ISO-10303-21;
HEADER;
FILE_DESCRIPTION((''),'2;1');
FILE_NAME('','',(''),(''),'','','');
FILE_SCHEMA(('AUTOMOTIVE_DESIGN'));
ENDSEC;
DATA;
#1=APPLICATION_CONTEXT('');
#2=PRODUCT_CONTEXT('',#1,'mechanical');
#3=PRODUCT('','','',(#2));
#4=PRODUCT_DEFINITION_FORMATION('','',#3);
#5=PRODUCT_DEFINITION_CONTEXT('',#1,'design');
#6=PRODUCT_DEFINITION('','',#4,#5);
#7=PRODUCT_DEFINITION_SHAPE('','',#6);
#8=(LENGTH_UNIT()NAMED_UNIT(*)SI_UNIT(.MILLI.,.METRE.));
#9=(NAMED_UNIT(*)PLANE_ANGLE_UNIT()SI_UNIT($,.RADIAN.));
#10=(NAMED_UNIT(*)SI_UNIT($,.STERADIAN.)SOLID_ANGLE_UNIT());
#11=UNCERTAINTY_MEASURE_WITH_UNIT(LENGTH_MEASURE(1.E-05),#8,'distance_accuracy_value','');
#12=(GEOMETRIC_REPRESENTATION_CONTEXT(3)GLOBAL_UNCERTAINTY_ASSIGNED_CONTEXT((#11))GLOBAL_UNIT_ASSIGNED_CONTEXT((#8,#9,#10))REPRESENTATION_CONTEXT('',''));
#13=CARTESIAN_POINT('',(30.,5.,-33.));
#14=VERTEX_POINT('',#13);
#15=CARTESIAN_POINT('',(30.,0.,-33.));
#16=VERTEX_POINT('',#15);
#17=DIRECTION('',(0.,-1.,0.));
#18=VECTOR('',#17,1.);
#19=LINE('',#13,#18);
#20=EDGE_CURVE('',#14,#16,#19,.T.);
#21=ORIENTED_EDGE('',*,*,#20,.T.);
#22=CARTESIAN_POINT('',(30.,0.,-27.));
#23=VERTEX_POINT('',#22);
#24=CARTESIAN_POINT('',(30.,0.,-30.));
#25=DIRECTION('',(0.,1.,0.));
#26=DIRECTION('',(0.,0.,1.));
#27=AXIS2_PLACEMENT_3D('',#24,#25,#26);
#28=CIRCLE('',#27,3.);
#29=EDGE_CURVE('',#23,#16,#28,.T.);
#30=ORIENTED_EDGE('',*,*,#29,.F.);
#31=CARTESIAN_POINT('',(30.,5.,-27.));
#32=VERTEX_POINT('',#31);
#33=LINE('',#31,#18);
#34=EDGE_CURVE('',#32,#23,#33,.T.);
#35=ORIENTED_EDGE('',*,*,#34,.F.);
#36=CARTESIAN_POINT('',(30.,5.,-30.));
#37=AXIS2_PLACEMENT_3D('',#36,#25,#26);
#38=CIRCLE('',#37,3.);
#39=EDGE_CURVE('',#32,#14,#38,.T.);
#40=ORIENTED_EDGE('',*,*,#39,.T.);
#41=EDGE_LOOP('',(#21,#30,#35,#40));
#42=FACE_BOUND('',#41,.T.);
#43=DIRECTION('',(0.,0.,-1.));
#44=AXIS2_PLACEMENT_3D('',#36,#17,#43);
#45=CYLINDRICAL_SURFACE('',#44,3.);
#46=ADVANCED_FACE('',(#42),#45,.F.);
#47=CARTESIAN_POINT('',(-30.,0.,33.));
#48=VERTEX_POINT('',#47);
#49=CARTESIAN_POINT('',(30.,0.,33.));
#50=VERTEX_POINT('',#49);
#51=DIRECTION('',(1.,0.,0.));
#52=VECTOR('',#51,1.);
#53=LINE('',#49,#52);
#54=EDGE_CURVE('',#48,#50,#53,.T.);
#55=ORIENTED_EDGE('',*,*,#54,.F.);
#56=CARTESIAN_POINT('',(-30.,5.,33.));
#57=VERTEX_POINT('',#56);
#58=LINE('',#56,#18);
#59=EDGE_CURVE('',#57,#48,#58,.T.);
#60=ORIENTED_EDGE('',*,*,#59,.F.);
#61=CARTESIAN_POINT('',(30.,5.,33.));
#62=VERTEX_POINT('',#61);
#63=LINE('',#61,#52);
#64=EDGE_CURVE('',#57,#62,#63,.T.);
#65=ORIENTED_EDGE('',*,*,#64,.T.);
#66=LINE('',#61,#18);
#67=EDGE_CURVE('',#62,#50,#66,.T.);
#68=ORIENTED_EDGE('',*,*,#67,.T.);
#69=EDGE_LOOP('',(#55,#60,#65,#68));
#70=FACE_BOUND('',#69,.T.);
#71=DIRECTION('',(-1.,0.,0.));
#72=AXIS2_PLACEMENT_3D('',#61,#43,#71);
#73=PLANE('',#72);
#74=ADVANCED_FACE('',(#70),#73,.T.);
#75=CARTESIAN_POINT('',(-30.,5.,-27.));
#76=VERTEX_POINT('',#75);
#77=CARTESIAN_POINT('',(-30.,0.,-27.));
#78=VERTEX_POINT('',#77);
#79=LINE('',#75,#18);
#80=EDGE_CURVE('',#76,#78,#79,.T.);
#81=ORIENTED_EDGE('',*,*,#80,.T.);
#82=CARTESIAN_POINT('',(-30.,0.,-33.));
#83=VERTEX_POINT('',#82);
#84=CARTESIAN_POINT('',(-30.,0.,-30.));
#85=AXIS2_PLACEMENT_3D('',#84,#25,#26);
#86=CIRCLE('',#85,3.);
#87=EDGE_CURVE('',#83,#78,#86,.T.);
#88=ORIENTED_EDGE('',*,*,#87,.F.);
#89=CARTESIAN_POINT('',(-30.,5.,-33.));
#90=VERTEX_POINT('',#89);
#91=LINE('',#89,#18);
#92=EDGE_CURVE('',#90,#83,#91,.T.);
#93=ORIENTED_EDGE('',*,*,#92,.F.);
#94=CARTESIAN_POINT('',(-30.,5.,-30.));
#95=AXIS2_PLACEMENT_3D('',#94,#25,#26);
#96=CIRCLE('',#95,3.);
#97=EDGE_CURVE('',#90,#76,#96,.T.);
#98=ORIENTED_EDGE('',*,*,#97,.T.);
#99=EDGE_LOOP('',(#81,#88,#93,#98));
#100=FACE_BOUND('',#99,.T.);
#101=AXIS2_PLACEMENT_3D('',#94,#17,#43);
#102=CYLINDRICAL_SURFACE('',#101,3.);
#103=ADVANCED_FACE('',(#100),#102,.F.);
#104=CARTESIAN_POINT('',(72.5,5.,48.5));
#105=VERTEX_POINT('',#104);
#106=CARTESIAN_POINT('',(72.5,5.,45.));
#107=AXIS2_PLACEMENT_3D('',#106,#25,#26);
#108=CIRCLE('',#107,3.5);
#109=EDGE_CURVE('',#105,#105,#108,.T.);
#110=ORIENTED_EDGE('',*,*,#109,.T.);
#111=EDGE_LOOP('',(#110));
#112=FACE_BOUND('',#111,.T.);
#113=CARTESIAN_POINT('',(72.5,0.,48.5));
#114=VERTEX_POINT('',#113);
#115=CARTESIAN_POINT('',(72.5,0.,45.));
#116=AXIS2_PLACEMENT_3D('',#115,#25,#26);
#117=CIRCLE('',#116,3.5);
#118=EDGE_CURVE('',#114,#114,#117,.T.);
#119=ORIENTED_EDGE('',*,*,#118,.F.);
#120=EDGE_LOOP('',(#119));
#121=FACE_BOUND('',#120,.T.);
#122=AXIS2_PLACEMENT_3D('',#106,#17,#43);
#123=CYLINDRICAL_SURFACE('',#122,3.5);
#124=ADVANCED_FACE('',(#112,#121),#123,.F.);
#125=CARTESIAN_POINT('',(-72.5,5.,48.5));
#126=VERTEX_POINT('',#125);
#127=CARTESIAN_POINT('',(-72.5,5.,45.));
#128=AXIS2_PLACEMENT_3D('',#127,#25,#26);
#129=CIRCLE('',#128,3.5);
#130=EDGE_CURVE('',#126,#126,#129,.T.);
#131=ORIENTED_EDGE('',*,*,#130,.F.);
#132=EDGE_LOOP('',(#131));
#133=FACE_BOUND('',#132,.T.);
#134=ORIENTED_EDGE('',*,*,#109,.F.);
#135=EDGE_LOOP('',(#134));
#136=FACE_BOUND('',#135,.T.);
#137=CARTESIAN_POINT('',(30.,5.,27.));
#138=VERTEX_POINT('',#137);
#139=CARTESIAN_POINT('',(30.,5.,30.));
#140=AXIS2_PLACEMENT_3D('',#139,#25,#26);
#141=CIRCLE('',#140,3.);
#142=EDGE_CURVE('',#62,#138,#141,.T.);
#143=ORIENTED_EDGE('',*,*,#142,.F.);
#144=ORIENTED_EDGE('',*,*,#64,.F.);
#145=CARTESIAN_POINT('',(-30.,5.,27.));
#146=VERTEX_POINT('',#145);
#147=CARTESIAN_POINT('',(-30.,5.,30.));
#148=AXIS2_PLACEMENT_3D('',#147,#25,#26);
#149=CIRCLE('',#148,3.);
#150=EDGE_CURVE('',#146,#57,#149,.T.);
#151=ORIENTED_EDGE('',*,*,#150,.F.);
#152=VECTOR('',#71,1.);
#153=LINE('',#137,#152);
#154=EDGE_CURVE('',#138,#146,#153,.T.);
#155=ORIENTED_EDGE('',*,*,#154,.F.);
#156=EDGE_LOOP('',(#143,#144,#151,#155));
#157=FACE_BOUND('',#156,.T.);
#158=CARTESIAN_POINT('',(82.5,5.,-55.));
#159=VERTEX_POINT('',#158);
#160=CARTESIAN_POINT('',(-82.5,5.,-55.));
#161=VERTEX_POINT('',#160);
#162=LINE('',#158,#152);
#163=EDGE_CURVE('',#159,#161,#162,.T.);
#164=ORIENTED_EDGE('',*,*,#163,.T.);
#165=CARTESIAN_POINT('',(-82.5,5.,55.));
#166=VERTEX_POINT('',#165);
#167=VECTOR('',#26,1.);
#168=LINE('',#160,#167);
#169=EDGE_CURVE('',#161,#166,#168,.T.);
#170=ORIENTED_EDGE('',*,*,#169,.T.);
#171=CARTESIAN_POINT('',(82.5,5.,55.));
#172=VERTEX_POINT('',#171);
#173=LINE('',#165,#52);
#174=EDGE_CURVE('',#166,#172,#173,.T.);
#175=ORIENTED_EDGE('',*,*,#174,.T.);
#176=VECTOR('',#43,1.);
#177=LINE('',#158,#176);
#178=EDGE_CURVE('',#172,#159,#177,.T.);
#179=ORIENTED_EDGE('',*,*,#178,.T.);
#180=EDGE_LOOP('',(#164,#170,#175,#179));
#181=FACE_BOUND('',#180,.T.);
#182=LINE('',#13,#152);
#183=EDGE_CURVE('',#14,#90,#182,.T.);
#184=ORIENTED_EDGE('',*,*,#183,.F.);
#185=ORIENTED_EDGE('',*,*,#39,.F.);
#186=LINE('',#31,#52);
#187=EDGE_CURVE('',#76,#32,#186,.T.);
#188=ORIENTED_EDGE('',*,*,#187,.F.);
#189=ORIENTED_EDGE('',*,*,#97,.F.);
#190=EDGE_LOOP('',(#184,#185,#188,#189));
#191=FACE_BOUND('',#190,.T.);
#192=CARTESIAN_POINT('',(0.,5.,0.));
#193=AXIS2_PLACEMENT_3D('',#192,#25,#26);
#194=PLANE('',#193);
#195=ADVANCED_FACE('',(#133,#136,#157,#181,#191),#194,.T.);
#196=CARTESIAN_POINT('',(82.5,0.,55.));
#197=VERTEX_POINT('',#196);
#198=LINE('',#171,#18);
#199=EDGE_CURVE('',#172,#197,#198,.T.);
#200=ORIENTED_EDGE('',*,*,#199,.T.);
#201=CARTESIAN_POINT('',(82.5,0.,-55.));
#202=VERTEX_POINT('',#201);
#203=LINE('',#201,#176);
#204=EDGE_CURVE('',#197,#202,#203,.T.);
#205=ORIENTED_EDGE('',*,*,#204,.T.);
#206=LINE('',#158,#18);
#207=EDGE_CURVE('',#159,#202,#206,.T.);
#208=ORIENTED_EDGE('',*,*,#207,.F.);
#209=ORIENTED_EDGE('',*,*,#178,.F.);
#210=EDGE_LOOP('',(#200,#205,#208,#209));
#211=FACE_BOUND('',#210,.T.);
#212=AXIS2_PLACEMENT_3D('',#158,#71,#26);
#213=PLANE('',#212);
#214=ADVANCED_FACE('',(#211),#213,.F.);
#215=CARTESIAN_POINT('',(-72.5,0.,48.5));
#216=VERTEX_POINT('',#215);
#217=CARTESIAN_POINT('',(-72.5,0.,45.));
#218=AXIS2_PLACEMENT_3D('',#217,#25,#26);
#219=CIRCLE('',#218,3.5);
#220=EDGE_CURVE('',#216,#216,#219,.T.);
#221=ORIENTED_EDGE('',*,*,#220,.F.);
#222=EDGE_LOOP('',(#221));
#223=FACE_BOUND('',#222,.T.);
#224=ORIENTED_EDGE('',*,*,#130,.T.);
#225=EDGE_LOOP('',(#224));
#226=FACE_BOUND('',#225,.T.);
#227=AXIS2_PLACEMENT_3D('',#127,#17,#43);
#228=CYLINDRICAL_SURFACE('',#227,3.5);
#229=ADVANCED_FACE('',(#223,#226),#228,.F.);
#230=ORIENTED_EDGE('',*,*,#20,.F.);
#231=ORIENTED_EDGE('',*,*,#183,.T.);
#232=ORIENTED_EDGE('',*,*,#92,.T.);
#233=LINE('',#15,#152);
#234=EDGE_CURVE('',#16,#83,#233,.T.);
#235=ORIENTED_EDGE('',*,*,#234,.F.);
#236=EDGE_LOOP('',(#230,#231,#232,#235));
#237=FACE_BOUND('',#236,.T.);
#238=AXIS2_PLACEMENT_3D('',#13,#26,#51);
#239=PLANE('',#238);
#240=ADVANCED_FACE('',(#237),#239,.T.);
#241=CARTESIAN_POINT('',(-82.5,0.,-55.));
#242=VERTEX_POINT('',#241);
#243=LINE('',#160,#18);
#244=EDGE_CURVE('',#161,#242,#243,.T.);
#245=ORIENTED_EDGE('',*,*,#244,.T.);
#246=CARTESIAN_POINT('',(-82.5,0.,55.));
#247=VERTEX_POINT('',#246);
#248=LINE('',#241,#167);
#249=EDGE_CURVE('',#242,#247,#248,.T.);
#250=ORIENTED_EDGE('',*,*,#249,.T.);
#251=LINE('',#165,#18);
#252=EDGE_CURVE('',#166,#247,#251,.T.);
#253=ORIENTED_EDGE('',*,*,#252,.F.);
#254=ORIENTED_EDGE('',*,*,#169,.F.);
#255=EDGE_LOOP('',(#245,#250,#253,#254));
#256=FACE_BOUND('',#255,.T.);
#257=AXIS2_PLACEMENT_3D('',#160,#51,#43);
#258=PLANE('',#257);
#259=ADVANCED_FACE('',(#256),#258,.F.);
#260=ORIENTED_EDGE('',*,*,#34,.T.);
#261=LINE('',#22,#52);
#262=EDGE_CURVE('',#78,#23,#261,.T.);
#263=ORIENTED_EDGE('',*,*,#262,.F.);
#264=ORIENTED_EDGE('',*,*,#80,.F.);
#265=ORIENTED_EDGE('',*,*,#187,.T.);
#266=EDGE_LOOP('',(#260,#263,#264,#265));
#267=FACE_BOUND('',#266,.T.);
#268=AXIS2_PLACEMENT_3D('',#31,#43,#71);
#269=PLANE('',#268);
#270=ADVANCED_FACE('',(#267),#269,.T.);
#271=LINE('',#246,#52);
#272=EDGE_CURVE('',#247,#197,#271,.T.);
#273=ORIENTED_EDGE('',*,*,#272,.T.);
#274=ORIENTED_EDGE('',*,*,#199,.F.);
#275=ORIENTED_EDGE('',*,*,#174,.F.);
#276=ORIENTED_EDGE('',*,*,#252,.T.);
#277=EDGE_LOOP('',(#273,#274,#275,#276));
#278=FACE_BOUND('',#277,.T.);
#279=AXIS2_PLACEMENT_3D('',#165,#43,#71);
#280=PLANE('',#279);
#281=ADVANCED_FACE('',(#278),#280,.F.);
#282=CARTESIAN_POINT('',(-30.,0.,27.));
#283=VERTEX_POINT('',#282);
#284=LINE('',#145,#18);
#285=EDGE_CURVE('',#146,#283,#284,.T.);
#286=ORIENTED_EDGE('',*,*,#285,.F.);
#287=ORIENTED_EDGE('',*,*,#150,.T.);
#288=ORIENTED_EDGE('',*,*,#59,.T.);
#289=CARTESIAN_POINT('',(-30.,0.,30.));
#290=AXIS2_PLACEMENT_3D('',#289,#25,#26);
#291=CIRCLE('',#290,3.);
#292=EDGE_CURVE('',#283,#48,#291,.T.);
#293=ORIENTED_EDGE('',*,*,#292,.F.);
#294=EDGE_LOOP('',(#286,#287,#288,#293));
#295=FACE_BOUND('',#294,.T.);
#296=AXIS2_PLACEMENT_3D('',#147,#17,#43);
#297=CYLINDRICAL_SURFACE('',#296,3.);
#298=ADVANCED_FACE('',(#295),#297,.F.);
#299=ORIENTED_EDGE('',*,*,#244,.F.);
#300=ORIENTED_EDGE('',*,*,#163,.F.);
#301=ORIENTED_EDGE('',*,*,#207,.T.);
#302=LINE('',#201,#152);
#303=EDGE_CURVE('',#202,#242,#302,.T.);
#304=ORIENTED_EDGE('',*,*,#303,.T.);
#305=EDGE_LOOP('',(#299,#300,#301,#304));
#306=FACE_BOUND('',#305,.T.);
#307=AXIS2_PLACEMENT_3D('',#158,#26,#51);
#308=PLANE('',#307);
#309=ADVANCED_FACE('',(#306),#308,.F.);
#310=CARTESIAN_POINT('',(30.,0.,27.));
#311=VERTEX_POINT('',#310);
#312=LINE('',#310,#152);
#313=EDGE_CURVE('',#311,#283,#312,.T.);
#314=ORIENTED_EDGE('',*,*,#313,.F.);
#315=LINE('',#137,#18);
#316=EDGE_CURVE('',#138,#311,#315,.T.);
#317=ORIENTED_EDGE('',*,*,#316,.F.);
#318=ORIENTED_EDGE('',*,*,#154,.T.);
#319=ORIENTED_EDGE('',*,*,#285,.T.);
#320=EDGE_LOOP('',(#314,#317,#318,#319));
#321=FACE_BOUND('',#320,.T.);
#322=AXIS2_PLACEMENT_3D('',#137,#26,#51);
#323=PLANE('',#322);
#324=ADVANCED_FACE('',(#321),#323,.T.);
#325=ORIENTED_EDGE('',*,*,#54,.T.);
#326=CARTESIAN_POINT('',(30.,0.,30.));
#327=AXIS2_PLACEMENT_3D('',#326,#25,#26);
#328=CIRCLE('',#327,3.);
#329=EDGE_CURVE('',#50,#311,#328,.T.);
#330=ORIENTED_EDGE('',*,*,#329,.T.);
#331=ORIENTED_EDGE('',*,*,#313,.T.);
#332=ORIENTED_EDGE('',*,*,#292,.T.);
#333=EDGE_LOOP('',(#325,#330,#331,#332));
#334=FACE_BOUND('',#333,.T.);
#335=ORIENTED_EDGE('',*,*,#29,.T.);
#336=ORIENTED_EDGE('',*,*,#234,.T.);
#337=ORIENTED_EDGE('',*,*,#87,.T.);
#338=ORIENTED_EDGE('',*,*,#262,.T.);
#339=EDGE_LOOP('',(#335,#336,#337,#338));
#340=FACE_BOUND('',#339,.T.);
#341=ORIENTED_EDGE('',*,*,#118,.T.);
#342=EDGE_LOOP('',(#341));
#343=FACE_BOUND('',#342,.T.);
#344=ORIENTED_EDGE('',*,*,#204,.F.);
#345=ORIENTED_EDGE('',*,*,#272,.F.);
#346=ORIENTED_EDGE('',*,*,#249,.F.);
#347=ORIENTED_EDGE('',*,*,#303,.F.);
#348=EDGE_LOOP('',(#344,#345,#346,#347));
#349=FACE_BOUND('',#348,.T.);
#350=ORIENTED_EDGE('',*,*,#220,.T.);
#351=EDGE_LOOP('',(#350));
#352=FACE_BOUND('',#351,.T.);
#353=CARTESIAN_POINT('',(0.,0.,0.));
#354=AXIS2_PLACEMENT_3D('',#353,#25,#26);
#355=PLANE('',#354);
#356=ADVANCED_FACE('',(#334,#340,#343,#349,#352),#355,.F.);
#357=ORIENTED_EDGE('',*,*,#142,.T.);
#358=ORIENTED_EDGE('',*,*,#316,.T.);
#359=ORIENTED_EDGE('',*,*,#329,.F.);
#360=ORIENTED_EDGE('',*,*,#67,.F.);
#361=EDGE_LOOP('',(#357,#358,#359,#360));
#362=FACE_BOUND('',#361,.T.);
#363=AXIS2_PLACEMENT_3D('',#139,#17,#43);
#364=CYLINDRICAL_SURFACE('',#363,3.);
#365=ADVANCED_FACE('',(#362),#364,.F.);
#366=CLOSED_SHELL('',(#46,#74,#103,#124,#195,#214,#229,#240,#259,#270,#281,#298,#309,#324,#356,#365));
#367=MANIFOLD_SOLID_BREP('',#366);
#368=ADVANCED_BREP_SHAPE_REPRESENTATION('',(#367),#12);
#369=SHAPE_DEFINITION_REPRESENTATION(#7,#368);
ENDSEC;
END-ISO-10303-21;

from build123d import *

# Parameters (mm, degrees)
SKETCH1_W           = 165
SKETCH1_H           = 110
SKETCH1_R           = 3.5
BOSS_EXTRUDE1_DEPTH = 5


with BuildPart() as part:
    # Sketch1 → Boss-Extrude1 (new body)
    with BuildSketch(Plane(origin=(0, 0, 0), x_dir=(1, 0, 0), z_dir=(0, 1, 0))):
        Rectangle(SKETCH1_W, SKETCH1_H)
        with Locations(Location((72.5, -45, 0), (0, 0, 270))):
            Circle(SKETCH1_R, mode=Mode.SUBTRACT)
        with Locations(Location((-72.5, -45, 0), (0, 0, 270))):
            Circle(SKETCH1_R, mode=Mode.SUBTRACT)
        with BuildLine():
            Line((30, -33), (-30, -33))
            ThreePointArc((-30, -33), (-33, -30), (-30, -27))
            Line((-30, -27), (30, -27))
            ThreePointArc((30, -27), (33, -30), (30, -33))
        make_face(mode=Mode.SUBTRACT)
        with BuildLine():
            Line((30, 27), (-30, 27))
            ThreePointArc((-30, 27), (-33, 30), (-30, 33))
            Line((-30, 33), (30, 33))
            ThreePointArc((30, 33), (33, 30), (30, 27))
        make_face(mode=Mode.SUBTRACT)
    extrude(amount=BOSS_EXTRUDE1_DEPTH)


solid = part.part
